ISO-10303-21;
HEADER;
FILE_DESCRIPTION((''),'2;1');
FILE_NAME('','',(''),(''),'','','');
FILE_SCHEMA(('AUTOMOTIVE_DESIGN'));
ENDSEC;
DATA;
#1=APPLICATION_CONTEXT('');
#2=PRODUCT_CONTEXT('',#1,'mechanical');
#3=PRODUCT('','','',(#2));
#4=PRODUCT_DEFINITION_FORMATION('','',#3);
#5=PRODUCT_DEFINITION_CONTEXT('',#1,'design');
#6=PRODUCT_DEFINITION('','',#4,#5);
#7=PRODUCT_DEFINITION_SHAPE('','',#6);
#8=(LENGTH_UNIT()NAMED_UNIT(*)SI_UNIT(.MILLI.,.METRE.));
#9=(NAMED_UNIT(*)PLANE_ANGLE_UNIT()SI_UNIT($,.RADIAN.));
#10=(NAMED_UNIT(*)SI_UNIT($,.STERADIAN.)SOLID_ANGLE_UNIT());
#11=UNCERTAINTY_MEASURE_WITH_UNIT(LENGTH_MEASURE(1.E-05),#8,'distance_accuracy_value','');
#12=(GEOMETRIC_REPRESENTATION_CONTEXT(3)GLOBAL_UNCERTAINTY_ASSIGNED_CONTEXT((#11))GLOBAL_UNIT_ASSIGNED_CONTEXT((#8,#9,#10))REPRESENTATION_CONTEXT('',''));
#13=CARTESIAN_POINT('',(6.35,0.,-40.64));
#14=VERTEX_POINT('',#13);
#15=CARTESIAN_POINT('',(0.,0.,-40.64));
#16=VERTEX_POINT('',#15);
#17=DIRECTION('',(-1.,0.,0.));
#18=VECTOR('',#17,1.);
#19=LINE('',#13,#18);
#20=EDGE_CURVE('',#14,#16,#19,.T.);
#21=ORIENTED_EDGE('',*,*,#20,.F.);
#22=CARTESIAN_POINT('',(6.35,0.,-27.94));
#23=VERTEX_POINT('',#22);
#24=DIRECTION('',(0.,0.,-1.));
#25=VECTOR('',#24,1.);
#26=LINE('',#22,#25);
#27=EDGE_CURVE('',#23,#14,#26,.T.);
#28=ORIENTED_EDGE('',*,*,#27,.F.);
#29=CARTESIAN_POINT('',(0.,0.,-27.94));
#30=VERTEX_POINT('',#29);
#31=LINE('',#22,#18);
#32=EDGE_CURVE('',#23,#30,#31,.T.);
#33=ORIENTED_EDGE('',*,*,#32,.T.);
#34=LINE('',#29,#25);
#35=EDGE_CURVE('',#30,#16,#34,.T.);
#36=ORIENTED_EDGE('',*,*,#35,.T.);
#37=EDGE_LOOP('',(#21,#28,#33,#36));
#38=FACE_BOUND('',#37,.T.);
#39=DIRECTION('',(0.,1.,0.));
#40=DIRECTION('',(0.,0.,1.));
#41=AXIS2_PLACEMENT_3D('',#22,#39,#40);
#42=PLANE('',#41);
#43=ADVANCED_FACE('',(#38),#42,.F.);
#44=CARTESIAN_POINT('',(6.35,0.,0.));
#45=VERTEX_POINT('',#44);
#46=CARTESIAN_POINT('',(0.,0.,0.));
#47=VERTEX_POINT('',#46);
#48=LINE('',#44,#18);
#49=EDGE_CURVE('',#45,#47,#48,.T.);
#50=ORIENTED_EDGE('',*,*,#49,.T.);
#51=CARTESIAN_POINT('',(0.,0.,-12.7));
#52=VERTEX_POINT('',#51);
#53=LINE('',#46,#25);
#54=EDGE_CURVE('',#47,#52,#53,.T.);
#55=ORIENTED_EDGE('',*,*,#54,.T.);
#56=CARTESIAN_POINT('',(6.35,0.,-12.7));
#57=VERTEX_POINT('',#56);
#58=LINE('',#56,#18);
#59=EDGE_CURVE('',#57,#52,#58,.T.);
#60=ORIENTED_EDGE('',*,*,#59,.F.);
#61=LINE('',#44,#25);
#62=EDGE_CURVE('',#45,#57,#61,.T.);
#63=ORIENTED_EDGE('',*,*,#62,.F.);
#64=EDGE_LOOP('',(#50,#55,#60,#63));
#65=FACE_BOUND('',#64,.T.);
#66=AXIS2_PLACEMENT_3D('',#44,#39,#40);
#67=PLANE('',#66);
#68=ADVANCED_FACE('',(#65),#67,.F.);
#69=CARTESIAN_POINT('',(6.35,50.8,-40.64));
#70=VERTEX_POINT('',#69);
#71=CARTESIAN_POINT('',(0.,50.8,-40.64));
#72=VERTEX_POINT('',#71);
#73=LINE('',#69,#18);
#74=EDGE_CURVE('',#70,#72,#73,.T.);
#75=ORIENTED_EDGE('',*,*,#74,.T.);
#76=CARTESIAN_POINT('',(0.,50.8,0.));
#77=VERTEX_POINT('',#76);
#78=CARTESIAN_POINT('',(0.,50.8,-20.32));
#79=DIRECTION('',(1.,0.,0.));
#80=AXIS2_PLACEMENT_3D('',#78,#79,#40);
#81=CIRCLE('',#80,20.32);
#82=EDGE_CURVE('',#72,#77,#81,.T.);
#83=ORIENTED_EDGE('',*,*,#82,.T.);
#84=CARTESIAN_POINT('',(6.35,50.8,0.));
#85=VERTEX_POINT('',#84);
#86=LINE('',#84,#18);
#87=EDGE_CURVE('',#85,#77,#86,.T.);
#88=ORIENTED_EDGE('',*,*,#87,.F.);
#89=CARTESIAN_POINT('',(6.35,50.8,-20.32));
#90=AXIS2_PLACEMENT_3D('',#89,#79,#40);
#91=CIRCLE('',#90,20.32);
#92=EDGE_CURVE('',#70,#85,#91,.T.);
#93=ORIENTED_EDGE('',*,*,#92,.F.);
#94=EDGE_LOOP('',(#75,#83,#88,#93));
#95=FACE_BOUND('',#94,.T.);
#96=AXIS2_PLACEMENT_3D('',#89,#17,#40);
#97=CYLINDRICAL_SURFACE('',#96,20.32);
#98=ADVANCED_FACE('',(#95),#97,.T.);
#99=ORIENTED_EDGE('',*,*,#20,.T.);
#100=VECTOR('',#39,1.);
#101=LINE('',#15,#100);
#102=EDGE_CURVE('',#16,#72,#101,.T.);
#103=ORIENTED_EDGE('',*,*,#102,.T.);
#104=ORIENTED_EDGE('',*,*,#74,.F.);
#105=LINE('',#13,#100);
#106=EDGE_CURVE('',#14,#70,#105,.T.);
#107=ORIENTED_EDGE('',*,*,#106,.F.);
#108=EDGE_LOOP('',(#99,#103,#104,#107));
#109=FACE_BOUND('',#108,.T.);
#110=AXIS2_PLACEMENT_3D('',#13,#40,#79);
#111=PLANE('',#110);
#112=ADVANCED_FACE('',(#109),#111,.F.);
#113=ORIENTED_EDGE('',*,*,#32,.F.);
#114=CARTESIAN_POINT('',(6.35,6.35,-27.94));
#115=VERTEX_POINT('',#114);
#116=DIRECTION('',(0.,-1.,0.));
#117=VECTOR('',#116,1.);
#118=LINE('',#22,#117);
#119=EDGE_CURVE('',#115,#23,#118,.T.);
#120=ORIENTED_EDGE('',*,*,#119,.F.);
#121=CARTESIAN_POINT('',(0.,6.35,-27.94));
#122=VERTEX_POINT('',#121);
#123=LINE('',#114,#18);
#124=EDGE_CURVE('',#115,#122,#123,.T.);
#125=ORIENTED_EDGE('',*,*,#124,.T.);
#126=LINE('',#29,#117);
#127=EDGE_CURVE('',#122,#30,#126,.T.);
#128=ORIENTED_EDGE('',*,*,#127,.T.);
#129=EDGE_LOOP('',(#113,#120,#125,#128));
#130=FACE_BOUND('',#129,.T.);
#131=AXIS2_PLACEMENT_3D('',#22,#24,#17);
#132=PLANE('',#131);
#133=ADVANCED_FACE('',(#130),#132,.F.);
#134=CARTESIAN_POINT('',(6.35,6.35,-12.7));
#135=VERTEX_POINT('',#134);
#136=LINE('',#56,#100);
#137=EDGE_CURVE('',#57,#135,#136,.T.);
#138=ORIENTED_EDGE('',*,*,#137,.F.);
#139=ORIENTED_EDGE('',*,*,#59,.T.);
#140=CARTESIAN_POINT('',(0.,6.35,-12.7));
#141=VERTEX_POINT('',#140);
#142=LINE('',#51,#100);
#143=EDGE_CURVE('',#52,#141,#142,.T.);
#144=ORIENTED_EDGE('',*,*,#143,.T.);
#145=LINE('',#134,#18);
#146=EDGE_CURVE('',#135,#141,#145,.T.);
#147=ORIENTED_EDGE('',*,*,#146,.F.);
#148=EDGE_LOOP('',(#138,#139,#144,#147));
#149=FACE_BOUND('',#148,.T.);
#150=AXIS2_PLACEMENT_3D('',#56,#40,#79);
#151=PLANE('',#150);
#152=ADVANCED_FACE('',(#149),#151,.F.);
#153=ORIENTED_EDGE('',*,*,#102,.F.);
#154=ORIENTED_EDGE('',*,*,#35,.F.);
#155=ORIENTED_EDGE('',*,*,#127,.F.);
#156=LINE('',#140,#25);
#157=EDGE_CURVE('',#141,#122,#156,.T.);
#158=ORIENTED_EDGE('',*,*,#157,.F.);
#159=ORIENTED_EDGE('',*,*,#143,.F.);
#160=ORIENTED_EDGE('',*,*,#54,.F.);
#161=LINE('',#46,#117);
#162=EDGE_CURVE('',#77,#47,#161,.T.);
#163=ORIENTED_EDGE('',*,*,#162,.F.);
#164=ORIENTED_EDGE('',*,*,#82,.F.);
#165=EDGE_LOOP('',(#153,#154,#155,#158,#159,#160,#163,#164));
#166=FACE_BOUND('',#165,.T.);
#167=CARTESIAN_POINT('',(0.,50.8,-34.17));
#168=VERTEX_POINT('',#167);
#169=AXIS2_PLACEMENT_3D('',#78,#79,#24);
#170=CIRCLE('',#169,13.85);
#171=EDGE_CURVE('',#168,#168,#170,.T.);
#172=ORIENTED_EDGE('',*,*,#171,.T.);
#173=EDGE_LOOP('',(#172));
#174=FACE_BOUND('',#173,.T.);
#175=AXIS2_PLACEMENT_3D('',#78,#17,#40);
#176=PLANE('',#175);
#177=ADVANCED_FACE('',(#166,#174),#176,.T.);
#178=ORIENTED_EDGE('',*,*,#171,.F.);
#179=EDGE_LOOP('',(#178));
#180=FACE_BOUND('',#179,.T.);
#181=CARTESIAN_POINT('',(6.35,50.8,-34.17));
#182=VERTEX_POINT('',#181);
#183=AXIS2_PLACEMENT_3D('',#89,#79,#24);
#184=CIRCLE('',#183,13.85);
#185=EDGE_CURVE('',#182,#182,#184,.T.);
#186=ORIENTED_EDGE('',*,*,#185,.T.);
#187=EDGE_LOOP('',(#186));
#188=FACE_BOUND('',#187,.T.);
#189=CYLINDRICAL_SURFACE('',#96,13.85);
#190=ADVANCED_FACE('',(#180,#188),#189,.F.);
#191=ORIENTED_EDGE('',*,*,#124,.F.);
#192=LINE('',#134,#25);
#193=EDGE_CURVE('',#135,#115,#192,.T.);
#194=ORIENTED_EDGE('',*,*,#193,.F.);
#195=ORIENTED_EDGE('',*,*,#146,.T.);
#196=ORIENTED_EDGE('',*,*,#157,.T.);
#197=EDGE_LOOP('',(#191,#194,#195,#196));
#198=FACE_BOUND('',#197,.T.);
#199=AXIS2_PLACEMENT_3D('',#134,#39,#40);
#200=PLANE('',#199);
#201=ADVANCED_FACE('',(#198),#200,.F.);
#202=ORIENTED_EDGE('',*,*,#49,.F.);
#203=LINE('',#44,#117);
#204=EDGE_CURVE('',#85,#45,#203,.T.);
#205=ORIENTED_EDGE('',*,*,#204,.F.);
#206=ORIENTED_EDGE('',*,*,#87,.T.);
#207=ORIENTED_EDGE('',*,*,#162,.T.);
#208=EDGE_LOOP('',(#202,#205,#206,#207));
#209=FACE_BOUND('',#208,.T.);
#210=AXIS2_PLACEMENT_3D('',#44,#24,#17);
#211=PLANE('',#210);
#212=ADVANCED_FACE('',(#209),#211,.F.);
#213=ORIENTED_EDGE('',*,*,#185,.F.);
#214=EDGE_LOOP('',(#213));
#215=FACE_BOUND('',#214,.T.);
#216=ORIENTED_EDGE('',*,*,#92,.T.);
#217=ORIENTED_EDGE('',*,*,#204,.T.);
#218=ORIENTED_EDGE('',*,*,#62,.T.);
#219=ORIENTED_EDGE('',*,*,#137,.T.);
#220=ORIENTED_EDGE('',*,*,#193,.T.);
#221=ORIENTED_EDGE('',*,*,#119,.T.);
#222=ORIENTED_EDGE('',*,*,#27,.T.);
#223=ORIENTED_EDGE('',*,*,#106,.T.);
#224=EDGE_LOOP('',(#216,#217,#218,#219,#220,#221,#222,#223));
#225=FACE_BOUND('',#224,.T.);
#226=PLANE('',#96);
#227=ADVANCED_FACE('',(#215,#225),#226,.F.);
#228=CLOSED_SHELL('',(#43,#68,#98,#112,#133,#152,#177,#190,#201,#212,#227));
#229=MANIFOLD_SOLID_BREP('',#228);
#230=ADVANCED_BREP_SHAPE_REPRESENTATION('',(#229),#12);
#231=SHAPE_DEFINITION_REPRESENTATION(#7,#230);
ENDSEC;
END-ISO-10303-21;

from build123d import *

# Parameters (mm, degrees)
SKETCH1_R           = 13.85
BOSS_EXTRUDE1_DEPTH = 6.35


with BuildPart() as part:
    # Sketch1 → Boss-Extrude1 (new body)
    with BuildSketch(Plane(origin=(0, 0, 0), x_dir=(0, 0, -1), z_dir=(1, 0, 0))):
        with BuildLine():
            Line((27.94, 0), (40.64, 0))
            Line((40.64, 0), (40.64, 50.8))
            ThreePointArc((40.64, 50.8), (20.32, 71.12), (0, 50.8))
            Line((0, 50.8), (0, 0))
            Line((0, 0), (12.7, 0))
            Line((12.7, 0), (12.7, 6.35))
            Line((12.7, 6.35), (27.94, 6.35))
            Line((27.94, 6.35), (27.94, 0))
        make_face()
        with Locations((20.32, 50.8)):
            Circle(SKETCH1_R, mode=Mode.SUBTRACT)
    extrude(amount=BOSS_EXTRUDE1_DEPTH)


solid = part.part
